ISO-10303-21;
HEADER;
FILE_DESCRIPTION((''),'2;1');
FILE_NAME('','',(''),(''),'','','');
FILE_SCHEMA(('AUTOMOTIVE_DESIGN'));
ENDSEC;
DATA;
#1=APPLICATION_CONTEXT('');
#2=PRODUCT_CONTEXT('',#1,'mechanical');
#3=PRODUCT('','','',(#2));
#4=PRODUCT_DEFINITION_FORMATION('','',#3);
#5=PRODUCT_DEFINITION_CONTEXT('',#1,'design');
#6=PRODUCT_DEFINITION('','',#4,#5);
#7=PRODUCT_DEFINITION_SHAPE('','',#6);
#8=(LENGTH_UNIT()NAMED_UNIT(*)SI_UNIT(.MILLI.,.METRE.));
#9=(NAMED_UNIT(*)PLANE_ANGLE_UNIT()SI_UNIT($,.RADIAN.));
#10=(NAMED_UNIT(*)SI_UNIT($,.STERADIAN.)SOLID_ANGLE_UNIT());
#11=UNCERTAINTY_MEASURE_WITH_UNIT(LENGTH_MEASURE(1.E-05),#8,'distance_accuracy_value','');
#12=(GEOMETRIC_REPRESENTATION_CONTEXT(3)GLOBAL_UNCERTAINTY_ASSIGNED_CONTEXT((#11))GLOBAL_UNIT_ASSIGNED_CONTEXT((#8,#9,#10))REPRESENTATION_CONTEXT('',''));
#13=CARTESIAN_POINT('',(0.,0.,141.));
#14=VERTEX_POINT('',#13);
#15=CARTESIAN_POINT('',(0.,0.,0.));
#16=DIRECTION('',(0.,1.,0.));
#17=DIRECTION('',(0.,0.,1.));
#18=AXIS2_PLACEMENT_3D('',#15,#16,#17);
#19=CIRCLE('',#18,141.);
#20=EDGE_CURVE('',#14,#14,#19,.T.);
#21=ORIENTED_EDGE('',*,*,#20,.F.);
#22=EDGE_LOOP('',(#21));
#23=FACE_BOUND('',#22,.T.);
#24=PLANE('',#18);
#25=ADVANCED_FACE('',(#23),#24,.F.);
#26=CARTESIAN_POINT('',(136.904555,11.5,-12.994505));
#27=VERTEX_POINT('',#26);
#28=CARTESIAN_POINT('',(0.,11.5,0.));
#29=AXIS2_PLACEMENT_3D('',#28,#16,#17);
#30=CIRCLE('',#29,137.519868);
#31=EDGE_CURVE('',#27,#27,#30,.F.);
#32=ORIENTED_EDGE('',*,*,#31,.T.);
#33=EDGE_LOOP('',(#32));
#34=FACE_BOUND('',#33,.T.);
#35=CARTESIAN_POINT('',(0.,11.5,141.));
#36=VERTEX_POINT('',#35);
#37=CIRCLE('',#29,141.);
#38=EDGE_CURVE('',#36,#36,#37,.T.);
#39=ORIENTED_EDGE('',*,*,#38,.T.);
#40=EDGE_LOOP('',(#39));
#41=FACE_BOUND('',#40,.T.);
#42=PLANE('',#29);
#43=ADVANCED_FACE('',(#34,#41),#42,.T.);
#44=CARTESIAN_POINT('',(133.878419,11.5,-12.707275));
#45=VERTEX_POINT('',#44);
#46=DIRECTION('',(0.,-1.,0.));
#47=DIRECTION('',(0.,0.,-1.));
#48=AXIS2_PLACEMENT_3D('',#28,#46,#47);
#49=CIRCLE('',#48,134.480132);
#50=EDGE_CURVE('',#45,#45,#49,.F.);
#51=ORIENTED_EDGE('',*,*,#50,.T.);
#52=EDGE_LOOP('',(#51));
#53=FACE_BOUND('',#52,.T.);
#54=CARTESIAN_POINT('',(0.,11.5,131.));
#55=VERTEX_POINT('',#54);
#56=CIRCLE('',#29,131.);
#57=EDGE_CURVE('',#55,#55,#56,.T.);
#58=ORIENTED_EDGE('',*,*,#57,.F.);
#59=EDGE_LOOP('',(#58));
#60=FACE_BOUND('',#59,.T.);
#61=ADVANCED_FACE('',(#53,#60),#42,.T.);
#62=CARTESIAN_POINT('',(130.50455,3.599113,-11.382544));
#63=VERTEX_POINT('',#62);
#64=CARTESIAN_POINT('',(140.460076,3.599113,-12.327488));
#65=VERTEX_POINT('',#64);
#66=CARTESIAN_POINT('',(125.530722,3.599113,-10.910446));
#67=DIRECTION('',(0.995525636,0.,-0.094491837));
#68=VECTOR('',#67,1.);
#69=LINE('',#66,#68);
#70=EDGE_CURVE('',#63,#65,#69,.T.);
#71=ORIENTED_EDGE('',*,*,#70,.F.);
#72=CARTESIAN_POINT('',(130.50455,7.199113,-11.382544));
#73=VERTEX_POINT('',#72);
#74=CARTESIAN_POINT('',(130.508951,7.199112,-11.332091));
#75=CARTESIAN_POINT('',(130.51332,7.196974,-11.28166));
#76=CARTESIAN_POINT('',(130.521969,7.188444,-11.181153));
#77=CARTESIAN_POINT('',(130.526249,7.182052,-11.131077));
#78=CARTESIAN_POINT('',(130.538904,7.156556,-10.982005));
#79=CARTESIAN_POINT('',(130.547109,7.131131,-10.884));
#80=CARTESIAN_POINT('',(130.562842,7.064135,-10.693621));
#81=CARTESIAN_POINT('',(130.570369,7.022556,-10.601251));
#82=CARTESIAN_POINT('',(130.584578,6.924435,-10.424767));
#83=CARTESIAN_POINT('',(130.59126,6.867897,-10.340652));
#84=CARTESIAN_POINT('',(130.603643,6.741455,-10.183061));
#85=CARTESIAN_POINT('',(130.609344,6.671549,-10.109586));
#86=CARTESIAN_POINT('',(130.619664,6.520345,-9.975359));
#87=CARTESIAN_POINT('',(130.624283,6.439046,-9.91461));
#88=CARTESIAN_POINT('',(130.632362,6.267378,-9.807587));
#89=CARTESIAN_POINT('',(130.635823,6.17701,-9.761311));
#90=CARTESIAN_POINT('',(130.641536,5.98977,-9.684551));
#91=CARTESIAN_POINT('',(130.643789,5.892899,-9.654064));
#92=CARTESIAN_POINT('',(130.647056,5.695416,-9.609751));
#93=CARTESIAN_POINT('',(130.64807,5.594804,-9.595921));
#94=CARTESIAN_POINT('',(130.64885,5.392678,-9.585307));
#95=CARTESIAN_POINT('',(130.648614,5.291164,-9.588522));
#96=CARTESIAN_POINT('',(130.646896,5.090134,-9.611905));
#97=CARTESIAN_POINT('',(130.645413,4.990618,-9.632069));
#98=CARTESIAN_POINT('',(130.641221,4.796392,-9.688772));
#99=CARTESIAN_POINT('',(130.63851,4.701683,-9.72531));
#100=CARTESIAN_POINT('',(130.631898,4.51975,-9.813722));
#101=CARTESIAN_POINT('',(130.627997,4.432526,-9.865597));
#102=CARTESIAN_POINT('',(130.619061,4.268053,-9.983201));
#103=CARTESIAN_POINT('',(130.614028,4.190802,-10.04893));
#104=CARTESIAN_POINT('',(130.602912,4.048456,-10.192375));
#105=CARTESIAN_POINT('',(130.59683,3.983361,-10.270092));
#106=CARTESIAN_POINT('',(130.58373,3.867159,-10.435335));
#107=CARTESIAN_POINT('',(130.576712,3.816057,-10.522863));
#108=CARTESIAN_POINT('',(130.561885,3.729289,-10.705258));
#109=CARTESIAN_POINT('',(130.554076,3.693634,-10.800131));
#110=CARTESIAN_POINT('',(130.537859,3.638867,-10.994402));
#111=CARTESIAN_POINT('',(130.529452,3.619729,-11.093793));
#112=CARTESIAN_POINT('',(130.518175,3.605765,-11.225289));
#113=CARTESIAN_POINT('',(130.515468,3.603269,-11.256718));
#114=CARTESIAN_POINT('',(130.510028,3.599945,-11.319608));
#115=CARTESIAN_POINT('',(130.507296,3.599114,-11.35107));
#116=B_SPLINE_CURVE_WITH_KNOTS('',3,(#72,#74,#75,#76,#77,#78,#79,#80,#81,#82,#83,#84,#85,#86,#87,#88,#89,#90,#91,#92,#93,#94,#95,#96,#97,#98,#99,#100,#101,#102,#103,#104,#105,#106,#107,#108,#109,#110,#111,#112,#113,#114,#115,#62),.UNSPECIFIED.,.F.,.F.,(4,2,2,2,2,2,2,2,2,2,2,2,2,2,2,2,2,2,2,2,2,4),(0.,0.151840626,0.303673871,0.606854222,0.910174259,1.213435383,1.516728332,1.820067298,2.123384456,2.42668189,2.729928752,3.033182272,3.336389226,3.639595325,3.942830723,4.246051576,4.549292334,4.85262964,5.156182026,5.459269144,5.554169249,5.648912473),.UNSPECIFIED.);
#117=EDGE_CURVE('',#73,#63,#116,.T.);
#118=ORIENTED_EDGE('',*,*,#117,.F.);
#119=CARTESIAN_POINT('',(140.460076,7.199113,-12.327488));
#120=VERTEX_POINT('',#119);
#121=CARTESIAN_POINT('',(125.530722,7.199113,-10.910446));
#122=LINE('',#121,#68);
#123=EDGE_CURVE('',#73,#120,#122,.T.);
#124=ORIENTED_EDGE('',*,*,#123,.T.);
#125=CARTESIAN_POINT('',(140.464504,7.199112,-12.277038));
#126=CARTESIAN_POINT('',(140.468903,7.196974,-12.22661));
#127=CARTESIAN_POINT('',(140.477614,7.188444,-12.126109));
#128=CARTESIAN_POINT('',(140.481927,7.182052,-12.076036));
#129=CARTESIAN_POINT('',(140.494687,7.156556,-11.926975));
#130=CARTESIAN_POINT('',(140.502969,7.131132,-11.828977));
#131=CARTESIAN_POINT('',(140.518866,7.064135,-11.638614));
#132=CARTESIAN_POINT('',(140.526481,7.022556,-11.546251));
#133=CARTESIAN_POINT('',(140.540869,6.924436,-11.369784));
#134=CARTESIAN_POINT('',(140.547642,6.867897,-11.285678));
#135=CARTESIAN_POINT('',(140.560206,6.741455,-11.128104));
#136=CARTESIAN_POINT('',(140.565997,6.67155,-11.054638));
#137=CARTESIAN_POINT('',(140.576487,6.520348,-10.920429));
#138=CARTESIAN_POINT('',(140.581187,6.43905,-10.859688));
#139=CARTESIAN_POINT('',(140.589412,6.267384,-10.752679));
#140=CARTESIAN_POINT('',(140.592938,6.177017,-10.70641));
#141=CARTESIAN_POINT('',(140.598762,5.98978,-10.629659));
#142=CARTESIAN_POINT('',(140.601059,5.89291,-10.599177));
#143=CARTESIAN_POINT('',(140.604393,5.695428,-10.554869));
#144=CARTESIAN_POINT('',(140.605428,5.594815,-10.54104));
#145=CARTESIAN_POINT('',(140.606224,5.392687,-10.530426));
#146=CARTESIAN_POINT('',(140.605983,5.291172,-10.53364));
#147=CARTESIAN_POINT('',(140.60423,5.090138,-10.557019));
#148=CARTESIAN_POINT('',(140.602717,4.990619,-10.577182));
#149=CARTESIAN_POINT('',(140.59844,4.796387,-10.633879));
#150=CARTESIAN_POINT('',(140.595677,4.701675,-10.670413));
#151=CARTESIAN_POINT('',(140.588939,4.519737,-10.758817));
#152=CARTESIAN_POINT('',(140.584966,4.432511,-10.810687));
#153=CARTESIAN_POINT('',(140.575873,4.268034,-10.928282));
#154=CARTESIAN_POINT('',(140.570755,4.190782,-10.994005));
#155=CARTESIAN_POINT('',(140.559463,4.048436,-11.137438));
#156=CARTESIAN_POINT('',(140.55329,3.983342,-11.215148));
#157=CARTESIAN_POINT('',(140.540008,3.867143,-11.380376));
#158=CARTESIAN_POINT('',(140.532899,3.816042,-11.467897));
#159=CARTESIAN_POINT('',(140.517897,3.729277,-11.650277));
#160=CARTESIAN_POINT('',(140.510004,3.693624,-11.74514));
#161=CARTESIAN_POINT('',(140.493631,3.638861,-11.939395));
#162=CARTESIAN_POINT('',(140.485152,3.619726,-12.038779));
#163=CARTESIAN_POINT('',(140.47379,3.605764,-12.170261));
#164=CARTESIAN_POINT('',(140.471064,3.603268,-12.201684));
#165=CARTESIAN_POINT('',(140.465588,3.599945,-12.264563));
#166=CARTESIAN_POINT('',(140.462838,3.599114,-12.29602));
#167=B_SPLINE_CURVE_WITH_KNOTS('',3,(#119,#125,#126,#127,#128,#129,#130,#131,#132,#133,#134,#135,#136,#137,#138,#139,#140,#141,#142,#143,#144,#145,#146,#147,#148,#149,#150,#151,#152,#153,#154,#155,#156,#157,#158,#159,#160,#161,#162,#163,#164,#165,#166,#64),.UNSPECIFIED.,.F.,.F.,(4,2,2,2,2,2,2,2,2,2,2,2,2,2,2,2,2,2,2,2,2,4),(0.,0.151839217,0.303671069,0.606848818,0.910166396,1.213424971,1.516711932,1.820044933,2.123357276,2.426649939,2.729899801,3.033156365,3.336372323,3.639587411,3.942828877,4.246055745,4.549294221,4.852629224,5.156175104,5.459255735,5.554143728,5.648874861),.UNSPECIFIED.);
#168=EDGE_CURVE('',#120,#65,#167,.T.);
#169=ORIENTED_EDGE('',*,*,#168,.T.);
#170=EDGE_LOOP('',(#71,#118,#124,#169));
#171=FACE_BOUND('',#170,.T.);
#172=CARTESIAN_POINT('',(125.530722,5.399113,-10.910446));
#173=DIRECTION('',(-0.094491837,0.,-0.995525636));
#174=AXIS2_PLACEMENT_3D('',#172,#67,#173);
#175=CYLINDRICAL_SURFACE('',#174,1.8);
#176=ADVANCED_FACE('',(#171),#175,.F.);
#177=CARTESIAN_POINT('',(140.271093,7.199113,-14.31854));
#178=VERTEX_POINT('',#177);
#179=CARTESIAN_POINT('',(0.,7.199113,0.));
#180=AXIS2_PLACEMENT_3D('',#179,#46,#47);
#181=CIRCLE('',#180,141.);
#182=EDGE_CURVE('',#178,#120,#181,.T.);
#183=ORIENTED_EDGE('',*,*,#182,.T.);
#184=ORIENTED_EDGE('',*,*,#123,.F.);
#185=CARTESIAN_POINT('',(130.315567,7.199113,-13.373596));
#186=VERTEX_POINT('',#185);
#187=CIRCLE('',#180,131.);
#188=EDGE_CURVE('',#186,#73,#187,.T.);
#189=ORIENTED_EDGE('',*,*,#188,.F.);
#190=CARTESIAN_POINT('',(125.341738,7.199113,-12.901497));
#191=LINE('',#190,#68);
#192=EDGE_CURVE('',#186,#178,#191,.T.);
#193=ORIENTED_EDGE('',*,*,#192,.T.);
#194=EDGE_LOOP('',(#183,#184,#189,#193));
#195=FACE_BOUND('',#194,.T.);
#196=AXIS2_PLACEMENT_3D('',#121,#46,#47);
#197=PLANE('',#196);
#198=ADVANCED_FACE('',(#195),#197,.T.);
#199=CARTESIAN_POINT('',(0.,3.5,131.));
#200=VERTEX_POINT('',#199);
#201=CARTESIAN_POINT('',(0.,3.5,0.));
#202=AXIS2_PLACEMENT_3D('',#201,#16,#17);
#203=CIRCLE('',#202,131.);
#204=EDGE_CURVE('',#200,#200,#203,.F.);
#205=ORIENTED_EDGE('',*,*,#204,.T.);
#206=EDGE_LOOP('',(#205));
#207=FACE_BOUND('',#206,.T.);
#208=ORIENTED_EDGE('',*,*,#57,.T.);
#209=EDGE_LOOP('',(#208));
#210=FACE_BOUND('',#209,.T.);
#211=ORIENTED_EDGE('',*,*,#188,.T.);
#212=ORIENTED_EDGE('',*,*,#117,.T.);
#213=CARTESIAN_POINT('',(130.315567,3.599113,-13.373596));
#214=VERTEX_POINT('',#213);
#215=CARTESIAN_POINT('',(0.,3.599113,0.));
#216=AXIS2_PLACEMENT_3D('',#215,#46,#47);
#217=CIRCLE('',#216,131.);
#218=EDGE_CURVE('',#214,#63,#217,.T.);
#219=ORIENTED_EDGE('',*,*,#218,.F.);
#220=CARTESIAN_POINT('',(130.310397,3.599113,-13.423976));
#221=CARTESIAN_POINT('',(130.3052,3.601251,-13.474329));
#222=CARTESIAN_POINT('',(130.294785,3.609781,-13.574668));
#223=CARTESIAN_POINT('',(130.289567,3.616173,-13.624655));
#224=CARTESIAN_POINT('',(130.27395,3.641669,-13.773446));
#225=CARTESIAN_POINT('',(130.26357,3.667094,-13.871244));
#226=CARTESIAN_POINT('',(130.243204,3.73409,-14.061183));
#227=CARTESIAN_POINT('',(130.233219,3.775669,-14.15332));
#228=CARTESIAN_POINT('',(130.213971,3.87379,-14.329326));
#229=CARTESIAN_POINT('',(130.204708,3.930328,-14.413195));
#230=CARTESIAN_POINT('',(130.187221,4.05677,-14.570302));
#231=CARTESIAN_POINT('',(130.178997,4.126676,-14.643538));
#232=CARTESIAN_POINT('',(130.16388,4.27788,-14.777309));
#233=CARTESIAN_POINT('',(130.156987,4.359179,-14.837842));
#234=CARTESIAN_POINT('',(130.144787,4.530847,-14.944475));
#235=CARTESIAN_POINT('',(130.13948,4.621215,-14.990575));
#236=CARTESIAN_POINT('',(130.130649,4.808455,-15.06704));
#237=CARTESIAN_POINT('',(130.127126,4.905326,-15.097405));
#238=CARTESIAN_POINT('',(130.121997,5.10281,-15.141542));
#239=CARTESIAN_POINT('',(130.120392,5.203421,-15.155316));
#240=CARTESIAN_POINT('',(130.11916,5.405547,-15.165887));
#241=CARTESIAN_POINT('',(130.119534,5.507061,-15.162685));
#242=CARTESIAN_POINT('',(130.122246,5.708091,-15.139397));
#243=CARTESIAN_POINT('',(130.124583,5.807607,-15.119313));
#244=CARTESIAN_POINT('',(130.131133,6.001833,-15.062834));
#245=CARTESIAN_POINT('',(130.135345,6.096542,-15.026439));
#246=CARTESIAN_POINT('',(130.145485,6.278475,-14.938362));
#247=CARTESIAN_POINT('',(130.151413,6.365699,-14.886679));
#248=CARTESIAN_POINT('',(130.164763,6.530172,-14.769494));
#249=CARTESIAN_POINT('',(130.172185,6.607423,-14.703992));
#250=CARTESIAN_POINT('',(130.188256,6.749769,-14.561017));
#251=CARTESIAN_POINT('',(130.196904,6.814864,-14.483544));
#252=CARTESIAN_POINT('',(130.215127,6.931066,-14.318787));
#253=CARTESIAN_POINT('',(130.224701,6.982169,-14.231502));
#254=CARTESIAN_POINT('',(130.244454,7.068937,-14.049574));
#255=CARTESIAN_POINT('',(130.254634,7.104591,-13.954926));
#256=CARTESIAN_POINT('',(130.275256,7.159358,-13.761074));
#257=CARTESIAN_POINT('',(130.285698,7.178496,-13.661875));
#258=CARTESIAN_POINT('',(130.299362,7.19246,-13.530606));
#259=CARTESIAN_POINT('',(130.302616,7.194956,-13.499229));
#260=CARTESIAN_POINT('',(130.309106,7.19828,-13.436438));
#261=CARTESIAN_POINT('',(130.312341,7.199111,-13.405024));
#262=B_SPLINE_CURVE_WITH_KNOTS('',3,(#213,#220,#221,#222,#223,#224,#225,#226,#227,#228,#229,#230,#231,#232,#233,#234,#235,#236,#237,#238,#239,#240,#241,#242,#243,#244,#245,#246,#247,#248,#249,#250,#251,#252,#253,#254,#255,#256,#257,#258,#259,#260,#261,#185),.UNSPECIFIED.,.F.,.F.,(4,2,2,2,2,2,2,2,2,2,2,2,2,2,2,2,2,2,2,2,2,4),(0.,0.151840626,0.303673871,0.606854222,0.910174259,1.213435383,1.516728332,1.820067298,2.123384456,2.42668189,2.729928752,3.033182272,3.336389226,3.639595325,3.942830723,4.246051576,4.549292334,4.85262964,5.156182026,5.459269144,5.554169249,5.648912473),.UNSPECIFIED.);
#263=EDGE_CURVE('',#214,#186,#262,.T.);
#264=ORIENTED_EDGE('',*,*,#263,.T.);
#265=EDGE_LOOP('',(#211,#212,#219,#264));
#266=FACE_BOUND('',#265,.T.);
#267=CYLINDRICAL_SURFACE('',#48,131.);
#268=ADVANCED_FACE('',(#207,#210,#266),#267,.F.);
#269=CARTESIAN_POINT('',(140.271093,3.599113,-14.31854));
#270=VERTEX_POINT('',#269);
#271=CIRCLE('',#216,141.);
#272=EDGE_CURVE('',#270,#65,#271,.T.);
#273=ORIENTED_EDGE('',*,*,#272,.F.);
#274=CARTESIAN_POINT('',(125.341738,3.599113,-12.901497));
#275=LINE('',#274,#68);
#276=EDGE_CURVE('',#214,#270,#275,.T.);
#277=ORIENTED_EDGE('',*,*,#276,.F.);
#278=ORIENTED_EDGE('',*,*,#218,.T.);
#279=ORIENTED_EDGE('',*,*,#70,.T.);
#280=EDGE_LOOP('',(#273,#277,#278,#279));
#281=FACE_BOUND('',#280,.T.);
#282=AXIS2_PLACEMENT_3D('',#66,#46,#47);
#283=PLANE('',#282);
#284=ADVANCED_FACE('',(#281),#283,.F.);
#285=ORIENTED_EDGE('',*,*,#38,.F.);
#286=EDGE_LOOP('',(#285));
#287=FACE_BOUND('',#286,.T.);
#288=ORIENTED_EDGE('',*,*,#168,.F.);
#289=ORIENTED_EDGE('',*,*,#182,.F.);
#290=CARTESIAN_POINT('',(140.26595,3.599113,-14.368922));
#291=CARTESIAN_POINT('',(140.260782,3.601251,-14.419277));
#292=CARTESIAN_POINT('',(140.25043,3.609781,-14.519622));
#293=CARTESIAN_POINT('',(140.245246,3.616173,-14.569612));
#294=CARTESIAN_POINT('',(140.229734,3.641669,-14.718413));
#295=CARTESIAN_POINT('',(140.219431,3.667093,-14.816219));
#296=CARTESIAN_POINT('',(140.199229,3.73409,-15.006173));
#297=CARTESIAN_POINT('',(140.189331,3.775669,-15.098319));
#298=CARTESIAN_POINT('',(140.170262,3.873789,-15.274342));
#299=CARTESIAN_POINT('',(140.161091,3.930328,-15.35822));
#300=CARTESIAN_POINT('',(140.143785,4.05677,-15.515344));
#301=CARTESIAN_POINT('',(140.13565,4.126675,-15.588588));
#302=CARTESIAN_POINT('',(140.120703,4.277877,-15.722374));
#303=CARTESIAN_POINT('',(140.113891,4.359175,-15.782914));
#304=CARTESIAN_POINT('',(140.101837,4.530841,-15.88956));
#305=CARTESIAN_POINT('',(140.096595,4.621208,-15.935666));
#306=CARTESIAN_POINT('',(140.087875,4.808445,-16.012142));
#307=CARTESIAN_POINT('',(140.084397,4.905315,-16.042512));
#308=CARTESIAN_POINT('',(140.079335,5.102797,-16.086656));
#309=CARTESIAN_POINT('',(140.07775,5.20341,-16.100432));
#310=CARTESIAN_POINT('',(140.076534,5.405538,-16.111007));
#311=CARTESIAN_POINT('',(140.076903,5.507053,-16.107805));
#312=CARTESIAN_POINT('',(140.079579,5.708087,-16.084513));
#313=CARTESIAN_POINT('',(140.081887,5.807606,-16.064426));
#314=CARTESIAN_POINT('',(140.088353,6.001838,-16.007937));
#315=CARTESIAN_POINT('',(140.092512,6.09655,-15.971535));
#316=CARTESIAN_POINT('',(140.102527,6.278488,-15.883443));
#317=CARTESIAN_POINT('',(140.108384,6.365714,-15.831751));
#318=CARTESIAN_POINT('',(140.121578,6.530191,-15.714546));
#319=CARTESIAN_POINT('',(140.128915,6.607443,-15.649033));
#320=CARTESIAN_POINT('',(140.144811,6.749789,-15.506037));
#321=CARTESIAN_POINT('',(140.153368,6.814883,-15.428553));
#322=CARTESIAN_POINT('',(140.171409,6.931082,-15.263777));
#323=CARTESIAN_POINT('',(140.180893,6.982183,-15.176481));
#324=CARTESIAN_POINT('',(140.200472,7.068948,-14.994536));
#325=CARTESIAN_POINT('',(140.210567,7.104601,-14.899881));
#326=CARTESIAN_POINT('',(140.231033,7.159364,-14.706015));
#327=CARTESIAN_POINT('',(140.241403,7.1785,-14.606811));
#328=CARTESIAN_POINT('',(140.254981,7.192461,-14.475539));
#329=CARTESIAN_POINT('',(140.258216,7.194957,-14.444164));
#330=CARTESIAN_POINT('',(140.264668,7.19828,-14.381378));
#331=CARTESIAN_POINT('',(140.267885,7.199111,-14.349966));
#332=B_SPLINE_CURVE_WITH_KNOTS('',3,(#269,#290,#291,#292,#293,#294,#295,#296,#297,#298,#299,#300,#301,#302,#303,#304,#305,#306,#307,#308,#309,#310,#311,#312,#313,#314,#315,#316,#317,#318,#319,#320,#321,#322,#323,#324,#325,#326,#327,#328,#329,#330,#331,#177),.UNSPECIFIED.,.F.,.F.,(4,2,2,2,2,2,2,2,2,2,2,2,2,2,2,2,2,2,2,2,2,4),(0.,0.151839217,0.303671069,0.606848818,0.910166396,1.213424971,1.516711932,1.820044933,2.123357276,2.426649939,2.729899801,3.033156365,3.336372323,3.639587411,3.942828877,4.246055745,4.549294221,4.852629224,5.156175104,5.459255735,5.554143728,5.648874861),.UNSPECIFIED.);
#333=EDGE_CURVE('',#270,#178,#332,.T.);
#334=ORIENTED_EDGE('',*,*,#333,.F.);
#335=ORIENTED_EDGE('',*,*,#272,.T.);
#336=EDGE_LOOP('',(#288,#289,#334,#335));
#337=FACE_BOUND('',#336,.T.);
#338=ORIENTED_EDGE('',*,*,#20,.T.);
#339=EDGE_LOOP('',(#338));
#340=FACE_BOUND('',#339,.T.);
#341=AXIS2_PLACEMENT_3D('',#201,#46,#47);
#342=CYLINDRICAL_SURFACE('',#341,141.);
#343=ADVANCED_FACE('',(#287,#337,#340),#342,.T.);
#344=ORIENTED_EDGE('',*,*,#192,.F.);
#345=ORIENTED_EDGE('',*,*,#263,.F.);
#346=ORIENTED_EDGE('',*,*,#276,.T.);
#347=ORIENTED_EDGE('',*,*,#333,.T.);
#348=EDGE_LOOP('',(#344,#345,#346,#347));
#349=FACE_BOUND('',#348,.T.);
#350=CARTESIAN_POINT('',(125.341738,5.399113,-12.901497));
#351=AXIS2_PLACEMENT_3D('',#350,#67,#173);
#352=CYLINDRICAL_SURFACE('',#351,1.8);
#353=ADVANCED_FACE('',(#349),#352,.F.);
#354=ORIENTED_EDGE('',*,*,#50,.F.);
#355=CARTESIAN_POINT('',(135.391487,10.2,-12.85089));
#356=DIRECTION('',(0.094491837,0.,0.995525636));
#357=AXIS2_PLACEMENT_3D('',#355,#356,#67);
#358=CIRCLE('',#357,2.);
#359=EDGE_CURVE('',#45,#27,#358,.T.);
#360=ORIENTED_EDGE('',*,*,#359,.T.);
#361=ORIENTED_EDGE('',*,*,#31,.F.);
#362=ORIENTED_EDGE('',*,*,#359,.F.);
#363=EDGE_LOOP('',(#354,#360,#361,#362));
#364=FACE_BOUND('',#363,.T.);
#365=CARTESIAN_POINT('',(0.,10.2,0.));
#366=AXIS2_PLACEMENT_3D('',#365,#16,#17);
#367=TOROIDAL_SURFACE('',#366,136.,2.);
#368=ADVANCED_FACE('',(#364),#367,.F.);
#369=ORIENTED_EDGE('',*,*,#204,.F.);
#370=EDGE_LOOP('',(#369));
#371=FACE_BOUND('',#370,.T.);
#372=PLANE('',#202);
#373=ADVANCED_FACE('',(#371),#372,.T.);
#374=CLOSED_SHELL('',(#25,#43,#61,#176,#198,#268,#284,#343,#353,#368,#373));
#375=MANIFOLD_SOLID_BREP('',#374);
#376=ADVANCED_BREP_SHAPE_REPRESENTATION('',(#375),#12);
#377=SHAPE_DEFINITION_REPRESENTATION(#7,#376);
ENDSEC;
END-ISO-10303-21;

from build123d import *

# Parameters (mm, degrees)
SKETCH1_R               = 141
BOSS_EXTRUDE1_DEPTH     = 3.5
SKETCH2_R               = 141
SKETCH2_R_2             = 131
BOSS_EXTRUDE2_DEPTH     = 8
SKETCH5_R               = 2
CUT_EXTRUDE3_DEPTH      = 5
CUT_EXTRUDE3_DEPTH_BACK = 15


with BuildPart() as part:
    # Sketch1 → Boss-Extrude1 (new body)
    with BuildSketch(Plane(origin=(0, 0, 0), x_dir=(1, 0, 0), z_dir=(0, 1, 0))):
        with Locations(Location((0, 0, 0), (0, 0, 270))):
            Circle(SKETCH1_R)
    extrude(amount=BOSS_EXTRUDE1_DEPTH)

    # Sketch2 → Boss-Extrude2 (add)
    with BuildSketch(Plane(origin=(0, 3.5, 0), x_dir=(1, 0, 0), z_dir=(0, 1, 0))):
        with Locations(Location((0, 0, 0), (0, 0, 270))):
            Circle(SKETCH2_R)
        with Locations(Location((0, 0, 0), (0, 0, 270))):
            Circle(SKETCH2_R_2, mode=Mode.SUBTRACT)
    extrude(amount=BOSS_EXTRUDE2_DEPTH)

    # Cut-Sweep1: sweep along a path in Sketch3
    with BuildLine(Plane(origin=(0, 11.5, 0), x_dir=(1, 0, 0), z_dir=(0, 1, 0))) as cut_sweep1_path:
        CenterArc((0, 0), 136, 0, 360)
    # Sketch5 → Cut-Sweep1 (sweep, cut)
    with BuildSketch(Plane(origin=(0, 0, 0), x_dir=(0.9955256364380607, 0, -0.09449183665584275), z_dir=(0.09449183665584275, 0, 0.9955256364380607))):
        with Locations((136, 10.2)):
            Circle(SKETCH5_R)
    sweep(path=cut_sweep1_path.line, mode=Mode.SUBTRACT)

    # Sketch6 → Cut-Extrude3 (cut, two sides: drawn at the far end of the back side and taken through both)
    with BuildSketch(Plane(origin=(130.413858373, 0, -12.378430602), x_dir=(0.09449183665584276, 0, 0.9955256364380607), z_dir=(-0.9955256364380607, 0, 0.09449183665584276)).offset(-CUT_EXTRUDE3_DEPTH_BACK)):
        with BuildLine():
            Line((1, 3.599112528), (-1, 3.599112528))
            ThreePointArc((-1, 3.599112528), (-2.8, 5.399112528), (-1, 7.199112528))
            Line((-1, 7.199112528), (1, 7.199112528))
            ThreePointArc((1, 7.199112528), (2.8, 5.399112528), (1, 3.599112528))
        make_face()
    extrude(amount=CUT_EXTRUDE3_DEPTH + CUT_EXTRUDE3_DEPTH_BACK, mode=Mode.SUBTRACT)


solid = part.part
